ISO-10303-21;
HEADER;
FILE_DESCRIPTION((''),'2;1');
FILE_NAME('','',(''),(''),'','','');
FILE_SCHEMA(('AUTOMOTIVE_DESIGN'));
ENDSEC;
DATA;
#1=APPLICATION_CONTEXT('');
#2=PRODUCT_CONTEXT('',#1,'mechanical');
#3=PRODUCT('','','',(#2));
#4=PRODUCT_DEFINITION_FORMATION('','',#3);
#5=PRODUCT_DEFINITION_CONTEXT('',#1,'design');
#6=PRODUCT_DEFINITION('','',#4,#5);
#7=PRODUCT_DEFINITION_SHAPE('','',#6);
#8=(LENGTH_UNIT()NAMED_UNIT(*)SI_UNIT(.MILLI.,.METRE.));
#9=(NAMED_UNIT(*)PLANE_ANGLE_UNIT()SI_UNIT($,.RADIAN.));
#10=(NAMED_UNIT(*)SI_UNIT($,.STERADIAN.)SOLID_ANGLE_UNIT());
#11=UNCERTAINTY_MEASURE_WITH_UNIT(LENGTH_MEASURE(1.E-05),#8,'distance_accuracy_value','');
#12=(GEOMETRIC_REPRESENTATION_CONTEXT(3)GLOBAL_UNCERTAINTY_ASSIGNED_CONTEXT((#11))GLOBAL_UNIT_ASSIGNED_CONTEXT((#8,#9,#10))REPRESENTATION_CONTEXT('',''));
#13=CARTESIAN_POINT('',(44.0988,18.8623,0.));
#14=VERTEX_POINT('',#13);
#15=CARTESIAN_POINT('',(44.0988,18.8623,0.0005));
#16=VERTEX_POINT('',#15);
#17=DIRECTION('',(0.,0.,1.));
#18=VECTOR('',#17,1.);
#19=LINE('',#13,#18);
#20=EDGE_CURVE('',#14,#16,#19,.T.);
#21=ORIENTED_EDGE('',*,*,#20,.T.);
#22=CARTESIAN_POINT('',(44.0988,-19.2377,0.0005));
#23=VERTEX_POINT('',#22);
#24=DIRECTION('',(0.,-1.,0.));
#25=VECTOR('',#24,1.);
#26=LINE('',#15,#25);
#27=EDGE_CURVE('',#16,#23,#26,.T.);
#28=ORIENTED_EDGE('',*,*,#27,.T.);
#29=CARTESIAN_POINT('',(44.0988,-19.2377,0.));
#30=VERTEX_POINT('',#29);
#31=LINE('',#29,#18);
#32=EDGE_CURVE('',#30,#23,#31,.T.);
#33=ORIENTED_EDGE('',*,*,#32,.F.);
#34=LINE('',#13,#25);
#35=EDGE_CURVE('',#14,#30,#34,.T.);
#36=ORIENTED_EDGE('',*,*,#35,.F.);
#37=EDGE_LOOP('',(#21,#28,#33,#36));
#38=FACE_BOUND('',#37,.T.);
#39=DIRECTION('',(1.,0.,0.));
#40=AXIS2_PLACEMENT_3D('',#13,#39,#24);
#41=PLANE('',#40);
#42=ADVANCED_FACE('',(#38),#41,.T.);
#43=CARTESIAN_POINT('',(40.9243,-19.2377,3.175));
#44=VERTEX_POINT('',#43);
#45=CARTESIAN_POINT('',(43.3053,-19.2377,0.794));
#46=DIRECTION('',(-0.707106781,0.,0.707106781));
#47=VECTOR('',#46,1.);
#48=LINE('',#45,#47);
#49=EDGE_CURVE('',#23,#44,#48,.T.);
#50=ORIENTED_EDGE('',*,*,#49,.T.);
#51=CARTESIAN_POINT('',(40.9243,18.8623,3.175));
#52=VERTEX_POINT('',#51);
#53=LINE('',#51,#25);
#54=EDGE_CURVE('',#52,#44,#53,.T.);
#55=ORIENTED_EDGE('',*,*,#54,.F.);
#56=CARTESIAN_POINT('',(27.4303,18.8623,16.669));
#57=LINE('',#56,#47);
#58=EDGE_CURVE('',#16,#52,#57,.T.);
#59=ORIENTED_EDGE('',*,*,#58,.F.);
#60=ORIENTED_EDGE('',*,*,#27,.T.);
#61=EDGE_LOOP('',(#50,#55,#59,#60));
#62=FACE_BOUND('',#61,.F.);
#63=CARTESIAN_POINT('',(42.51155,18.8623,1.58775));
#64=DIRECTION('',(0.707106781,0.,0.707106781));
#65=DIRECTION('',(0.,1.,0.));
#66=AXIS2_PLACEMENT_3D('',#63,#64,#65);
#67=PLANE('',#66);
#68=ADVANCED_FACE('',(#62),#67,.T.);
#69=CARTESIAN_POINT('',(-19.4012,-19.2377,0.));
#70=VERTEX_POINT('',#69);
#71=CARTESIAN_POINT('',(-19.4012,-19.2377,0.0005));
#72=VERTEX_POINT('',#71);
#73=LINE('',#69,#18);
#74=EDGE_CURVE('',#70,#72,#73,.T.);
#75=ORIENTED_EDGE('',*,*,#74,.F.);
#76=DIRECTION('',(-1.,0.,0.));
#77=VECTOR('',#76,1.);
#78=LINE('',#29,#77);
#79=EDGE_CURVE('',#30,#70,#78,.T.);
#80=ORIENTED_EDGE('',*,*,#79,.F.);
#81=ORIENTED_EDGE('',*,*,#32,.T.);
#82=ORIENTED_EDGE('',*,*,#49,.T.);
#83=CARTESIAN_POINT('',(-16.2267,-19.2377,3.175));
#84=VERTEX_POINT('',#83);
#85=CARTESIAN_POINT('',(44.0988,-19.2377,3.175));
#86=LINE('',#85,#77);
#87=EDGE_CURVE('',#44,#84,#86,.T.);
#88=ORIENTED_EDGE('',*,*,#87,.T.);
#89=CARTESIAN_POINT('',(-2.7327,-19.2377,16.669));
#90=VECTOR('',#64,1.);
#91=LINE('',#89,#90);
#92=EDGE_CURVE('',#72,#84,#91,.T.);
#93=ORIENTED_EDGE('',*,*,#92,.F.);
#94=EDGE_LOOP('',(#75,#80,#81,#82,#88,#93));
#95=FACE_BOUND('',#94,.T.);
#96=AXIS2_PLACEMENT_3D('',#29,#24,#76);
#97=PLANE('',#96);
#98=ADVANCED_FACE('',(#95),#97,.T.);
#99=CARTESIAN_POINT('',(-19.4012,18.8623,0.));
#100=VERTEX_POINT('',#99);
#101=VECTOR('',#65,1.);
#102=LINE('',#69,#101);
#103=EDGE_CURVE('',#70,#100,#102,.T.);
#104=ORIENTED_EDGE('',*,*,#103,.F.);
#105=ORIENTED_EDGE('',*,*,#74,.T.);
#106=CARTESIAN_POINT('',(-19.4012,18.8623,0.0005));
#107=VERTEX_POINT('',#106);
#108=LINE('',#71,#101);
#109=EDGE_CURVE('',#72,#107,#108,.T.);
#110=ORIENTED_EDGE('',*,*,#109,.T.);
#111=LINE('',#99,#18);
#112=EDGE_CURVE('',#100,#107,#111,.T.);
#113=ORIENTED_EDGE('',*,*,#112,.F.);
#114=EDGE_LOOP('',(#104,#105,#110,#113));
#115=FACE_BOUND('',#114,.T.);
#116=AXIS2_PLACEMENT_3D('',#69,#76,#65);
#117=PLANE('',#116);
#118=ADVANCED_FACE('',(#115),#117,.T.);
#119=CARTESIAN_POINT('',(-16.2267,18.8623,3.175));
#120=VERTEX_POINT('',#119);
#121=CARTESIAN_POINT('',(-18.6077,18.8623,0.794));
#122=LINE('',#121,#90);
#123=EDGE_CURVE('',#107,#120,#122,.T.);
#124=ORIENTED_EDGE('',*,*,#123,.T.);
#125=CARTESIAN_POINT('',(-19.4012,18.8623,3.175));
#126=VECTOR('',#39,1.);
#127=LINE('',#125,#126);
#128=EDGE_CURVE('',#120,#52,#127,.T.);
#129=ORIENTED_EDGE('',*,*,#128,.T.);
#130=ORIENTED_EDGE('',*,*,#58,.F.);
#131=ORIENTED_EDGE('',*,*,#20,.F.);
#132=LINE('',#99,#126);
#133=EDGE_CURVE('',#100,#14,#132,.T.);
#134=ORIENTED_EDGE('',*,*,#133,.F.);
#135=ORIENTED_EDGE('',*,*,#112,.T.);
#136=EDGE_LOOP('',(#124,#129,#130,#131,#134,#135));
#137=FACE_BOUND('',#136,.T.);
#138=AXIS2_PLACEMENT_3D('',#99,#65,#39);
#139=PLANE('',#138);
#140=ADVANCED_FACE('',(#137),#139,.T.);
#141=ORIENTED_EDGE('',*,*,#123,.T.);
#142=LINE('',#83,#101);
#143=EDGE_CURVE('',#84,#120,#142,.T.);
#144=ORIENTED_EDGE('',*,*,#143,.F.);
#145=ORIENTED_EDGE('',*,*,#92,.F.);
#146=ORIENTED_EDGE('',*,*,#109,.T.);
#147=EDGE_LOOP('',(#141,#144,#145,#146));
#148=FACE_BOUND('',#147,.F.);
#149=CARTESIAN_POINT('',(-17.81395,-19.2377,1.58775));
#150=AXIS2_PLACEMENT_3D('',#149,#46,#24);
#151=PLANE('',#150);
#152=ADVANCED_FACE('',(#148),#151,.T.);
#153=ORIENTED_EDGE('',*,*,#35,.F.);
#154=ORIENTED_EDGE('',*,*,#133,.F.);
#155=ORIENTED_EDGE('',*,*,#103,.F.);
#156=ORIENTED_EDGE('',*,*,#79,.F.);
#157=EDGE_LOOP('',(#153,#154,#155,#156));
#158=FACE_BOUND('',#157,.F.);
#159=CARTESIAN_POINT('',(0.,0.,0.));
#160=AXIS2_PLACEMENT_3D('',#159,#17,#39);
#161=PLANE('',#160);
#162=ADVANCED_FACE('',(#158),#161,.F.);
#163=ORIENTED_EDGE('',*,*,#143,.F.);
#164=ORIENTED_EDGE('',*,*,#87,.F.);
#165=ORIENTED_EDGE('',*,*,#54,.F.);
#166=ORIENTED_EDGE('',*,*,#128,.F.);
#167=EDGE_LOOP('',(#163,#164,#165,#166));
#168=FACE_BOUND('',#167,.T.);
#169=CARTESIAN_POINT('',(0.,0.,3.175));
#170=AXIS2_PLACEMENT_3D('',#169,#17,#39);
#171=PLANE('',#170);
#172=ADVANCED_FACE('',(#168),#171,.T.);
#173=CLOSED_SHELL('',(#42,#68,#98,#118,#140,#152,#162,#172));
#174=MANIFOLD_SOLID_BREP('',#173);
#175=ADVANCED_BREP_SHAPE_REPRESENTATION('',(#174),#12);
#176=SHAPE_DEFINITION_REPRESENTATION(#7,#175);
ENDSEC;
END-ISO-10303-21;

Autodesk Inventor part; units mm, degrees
ref_plane "YZ Plane" through (0, 0, 0) normal (1, 0, 0) x (0, 1, 0)
ref_plane "XZ Plane" through (0, 0, 0) normal (0, 1, 0) x (-1, 0, 0)
ref_plane "XY Plane" through (0, 0, 0) normal (0, 0, 1) x (1, 0, 0)
sketch "Sketch1" plane through (0, 0, 0) normal (0, 0, 1) x (1, 0, 0)
  line L0 (-19.4012, 18.8623) -> (44.0988, 18.8623)
  line L1 (44.0988, 18.8623) -> (44.0988, -19.2377)
  line L2 (44.0988, -19.2377) -> (-19.4012, -19.2377)
  line L3 (-19.4012, -19.2377) -> (-19.4012, 18.8623)
  point P0 (0, 0)
  dimension "d0" = 63.5
  dimension "d1" = 38.1
extrude "Extrusion1" add sketch "Sketch1" along normal blind 3.175
chamfer "Chamfer1" distance 3.175 angle 45 2 edges at (44.0988, -0.1877, 3.175) (-19.4012, -0.1877, 3.175)
properties part number "Aft_Support"
